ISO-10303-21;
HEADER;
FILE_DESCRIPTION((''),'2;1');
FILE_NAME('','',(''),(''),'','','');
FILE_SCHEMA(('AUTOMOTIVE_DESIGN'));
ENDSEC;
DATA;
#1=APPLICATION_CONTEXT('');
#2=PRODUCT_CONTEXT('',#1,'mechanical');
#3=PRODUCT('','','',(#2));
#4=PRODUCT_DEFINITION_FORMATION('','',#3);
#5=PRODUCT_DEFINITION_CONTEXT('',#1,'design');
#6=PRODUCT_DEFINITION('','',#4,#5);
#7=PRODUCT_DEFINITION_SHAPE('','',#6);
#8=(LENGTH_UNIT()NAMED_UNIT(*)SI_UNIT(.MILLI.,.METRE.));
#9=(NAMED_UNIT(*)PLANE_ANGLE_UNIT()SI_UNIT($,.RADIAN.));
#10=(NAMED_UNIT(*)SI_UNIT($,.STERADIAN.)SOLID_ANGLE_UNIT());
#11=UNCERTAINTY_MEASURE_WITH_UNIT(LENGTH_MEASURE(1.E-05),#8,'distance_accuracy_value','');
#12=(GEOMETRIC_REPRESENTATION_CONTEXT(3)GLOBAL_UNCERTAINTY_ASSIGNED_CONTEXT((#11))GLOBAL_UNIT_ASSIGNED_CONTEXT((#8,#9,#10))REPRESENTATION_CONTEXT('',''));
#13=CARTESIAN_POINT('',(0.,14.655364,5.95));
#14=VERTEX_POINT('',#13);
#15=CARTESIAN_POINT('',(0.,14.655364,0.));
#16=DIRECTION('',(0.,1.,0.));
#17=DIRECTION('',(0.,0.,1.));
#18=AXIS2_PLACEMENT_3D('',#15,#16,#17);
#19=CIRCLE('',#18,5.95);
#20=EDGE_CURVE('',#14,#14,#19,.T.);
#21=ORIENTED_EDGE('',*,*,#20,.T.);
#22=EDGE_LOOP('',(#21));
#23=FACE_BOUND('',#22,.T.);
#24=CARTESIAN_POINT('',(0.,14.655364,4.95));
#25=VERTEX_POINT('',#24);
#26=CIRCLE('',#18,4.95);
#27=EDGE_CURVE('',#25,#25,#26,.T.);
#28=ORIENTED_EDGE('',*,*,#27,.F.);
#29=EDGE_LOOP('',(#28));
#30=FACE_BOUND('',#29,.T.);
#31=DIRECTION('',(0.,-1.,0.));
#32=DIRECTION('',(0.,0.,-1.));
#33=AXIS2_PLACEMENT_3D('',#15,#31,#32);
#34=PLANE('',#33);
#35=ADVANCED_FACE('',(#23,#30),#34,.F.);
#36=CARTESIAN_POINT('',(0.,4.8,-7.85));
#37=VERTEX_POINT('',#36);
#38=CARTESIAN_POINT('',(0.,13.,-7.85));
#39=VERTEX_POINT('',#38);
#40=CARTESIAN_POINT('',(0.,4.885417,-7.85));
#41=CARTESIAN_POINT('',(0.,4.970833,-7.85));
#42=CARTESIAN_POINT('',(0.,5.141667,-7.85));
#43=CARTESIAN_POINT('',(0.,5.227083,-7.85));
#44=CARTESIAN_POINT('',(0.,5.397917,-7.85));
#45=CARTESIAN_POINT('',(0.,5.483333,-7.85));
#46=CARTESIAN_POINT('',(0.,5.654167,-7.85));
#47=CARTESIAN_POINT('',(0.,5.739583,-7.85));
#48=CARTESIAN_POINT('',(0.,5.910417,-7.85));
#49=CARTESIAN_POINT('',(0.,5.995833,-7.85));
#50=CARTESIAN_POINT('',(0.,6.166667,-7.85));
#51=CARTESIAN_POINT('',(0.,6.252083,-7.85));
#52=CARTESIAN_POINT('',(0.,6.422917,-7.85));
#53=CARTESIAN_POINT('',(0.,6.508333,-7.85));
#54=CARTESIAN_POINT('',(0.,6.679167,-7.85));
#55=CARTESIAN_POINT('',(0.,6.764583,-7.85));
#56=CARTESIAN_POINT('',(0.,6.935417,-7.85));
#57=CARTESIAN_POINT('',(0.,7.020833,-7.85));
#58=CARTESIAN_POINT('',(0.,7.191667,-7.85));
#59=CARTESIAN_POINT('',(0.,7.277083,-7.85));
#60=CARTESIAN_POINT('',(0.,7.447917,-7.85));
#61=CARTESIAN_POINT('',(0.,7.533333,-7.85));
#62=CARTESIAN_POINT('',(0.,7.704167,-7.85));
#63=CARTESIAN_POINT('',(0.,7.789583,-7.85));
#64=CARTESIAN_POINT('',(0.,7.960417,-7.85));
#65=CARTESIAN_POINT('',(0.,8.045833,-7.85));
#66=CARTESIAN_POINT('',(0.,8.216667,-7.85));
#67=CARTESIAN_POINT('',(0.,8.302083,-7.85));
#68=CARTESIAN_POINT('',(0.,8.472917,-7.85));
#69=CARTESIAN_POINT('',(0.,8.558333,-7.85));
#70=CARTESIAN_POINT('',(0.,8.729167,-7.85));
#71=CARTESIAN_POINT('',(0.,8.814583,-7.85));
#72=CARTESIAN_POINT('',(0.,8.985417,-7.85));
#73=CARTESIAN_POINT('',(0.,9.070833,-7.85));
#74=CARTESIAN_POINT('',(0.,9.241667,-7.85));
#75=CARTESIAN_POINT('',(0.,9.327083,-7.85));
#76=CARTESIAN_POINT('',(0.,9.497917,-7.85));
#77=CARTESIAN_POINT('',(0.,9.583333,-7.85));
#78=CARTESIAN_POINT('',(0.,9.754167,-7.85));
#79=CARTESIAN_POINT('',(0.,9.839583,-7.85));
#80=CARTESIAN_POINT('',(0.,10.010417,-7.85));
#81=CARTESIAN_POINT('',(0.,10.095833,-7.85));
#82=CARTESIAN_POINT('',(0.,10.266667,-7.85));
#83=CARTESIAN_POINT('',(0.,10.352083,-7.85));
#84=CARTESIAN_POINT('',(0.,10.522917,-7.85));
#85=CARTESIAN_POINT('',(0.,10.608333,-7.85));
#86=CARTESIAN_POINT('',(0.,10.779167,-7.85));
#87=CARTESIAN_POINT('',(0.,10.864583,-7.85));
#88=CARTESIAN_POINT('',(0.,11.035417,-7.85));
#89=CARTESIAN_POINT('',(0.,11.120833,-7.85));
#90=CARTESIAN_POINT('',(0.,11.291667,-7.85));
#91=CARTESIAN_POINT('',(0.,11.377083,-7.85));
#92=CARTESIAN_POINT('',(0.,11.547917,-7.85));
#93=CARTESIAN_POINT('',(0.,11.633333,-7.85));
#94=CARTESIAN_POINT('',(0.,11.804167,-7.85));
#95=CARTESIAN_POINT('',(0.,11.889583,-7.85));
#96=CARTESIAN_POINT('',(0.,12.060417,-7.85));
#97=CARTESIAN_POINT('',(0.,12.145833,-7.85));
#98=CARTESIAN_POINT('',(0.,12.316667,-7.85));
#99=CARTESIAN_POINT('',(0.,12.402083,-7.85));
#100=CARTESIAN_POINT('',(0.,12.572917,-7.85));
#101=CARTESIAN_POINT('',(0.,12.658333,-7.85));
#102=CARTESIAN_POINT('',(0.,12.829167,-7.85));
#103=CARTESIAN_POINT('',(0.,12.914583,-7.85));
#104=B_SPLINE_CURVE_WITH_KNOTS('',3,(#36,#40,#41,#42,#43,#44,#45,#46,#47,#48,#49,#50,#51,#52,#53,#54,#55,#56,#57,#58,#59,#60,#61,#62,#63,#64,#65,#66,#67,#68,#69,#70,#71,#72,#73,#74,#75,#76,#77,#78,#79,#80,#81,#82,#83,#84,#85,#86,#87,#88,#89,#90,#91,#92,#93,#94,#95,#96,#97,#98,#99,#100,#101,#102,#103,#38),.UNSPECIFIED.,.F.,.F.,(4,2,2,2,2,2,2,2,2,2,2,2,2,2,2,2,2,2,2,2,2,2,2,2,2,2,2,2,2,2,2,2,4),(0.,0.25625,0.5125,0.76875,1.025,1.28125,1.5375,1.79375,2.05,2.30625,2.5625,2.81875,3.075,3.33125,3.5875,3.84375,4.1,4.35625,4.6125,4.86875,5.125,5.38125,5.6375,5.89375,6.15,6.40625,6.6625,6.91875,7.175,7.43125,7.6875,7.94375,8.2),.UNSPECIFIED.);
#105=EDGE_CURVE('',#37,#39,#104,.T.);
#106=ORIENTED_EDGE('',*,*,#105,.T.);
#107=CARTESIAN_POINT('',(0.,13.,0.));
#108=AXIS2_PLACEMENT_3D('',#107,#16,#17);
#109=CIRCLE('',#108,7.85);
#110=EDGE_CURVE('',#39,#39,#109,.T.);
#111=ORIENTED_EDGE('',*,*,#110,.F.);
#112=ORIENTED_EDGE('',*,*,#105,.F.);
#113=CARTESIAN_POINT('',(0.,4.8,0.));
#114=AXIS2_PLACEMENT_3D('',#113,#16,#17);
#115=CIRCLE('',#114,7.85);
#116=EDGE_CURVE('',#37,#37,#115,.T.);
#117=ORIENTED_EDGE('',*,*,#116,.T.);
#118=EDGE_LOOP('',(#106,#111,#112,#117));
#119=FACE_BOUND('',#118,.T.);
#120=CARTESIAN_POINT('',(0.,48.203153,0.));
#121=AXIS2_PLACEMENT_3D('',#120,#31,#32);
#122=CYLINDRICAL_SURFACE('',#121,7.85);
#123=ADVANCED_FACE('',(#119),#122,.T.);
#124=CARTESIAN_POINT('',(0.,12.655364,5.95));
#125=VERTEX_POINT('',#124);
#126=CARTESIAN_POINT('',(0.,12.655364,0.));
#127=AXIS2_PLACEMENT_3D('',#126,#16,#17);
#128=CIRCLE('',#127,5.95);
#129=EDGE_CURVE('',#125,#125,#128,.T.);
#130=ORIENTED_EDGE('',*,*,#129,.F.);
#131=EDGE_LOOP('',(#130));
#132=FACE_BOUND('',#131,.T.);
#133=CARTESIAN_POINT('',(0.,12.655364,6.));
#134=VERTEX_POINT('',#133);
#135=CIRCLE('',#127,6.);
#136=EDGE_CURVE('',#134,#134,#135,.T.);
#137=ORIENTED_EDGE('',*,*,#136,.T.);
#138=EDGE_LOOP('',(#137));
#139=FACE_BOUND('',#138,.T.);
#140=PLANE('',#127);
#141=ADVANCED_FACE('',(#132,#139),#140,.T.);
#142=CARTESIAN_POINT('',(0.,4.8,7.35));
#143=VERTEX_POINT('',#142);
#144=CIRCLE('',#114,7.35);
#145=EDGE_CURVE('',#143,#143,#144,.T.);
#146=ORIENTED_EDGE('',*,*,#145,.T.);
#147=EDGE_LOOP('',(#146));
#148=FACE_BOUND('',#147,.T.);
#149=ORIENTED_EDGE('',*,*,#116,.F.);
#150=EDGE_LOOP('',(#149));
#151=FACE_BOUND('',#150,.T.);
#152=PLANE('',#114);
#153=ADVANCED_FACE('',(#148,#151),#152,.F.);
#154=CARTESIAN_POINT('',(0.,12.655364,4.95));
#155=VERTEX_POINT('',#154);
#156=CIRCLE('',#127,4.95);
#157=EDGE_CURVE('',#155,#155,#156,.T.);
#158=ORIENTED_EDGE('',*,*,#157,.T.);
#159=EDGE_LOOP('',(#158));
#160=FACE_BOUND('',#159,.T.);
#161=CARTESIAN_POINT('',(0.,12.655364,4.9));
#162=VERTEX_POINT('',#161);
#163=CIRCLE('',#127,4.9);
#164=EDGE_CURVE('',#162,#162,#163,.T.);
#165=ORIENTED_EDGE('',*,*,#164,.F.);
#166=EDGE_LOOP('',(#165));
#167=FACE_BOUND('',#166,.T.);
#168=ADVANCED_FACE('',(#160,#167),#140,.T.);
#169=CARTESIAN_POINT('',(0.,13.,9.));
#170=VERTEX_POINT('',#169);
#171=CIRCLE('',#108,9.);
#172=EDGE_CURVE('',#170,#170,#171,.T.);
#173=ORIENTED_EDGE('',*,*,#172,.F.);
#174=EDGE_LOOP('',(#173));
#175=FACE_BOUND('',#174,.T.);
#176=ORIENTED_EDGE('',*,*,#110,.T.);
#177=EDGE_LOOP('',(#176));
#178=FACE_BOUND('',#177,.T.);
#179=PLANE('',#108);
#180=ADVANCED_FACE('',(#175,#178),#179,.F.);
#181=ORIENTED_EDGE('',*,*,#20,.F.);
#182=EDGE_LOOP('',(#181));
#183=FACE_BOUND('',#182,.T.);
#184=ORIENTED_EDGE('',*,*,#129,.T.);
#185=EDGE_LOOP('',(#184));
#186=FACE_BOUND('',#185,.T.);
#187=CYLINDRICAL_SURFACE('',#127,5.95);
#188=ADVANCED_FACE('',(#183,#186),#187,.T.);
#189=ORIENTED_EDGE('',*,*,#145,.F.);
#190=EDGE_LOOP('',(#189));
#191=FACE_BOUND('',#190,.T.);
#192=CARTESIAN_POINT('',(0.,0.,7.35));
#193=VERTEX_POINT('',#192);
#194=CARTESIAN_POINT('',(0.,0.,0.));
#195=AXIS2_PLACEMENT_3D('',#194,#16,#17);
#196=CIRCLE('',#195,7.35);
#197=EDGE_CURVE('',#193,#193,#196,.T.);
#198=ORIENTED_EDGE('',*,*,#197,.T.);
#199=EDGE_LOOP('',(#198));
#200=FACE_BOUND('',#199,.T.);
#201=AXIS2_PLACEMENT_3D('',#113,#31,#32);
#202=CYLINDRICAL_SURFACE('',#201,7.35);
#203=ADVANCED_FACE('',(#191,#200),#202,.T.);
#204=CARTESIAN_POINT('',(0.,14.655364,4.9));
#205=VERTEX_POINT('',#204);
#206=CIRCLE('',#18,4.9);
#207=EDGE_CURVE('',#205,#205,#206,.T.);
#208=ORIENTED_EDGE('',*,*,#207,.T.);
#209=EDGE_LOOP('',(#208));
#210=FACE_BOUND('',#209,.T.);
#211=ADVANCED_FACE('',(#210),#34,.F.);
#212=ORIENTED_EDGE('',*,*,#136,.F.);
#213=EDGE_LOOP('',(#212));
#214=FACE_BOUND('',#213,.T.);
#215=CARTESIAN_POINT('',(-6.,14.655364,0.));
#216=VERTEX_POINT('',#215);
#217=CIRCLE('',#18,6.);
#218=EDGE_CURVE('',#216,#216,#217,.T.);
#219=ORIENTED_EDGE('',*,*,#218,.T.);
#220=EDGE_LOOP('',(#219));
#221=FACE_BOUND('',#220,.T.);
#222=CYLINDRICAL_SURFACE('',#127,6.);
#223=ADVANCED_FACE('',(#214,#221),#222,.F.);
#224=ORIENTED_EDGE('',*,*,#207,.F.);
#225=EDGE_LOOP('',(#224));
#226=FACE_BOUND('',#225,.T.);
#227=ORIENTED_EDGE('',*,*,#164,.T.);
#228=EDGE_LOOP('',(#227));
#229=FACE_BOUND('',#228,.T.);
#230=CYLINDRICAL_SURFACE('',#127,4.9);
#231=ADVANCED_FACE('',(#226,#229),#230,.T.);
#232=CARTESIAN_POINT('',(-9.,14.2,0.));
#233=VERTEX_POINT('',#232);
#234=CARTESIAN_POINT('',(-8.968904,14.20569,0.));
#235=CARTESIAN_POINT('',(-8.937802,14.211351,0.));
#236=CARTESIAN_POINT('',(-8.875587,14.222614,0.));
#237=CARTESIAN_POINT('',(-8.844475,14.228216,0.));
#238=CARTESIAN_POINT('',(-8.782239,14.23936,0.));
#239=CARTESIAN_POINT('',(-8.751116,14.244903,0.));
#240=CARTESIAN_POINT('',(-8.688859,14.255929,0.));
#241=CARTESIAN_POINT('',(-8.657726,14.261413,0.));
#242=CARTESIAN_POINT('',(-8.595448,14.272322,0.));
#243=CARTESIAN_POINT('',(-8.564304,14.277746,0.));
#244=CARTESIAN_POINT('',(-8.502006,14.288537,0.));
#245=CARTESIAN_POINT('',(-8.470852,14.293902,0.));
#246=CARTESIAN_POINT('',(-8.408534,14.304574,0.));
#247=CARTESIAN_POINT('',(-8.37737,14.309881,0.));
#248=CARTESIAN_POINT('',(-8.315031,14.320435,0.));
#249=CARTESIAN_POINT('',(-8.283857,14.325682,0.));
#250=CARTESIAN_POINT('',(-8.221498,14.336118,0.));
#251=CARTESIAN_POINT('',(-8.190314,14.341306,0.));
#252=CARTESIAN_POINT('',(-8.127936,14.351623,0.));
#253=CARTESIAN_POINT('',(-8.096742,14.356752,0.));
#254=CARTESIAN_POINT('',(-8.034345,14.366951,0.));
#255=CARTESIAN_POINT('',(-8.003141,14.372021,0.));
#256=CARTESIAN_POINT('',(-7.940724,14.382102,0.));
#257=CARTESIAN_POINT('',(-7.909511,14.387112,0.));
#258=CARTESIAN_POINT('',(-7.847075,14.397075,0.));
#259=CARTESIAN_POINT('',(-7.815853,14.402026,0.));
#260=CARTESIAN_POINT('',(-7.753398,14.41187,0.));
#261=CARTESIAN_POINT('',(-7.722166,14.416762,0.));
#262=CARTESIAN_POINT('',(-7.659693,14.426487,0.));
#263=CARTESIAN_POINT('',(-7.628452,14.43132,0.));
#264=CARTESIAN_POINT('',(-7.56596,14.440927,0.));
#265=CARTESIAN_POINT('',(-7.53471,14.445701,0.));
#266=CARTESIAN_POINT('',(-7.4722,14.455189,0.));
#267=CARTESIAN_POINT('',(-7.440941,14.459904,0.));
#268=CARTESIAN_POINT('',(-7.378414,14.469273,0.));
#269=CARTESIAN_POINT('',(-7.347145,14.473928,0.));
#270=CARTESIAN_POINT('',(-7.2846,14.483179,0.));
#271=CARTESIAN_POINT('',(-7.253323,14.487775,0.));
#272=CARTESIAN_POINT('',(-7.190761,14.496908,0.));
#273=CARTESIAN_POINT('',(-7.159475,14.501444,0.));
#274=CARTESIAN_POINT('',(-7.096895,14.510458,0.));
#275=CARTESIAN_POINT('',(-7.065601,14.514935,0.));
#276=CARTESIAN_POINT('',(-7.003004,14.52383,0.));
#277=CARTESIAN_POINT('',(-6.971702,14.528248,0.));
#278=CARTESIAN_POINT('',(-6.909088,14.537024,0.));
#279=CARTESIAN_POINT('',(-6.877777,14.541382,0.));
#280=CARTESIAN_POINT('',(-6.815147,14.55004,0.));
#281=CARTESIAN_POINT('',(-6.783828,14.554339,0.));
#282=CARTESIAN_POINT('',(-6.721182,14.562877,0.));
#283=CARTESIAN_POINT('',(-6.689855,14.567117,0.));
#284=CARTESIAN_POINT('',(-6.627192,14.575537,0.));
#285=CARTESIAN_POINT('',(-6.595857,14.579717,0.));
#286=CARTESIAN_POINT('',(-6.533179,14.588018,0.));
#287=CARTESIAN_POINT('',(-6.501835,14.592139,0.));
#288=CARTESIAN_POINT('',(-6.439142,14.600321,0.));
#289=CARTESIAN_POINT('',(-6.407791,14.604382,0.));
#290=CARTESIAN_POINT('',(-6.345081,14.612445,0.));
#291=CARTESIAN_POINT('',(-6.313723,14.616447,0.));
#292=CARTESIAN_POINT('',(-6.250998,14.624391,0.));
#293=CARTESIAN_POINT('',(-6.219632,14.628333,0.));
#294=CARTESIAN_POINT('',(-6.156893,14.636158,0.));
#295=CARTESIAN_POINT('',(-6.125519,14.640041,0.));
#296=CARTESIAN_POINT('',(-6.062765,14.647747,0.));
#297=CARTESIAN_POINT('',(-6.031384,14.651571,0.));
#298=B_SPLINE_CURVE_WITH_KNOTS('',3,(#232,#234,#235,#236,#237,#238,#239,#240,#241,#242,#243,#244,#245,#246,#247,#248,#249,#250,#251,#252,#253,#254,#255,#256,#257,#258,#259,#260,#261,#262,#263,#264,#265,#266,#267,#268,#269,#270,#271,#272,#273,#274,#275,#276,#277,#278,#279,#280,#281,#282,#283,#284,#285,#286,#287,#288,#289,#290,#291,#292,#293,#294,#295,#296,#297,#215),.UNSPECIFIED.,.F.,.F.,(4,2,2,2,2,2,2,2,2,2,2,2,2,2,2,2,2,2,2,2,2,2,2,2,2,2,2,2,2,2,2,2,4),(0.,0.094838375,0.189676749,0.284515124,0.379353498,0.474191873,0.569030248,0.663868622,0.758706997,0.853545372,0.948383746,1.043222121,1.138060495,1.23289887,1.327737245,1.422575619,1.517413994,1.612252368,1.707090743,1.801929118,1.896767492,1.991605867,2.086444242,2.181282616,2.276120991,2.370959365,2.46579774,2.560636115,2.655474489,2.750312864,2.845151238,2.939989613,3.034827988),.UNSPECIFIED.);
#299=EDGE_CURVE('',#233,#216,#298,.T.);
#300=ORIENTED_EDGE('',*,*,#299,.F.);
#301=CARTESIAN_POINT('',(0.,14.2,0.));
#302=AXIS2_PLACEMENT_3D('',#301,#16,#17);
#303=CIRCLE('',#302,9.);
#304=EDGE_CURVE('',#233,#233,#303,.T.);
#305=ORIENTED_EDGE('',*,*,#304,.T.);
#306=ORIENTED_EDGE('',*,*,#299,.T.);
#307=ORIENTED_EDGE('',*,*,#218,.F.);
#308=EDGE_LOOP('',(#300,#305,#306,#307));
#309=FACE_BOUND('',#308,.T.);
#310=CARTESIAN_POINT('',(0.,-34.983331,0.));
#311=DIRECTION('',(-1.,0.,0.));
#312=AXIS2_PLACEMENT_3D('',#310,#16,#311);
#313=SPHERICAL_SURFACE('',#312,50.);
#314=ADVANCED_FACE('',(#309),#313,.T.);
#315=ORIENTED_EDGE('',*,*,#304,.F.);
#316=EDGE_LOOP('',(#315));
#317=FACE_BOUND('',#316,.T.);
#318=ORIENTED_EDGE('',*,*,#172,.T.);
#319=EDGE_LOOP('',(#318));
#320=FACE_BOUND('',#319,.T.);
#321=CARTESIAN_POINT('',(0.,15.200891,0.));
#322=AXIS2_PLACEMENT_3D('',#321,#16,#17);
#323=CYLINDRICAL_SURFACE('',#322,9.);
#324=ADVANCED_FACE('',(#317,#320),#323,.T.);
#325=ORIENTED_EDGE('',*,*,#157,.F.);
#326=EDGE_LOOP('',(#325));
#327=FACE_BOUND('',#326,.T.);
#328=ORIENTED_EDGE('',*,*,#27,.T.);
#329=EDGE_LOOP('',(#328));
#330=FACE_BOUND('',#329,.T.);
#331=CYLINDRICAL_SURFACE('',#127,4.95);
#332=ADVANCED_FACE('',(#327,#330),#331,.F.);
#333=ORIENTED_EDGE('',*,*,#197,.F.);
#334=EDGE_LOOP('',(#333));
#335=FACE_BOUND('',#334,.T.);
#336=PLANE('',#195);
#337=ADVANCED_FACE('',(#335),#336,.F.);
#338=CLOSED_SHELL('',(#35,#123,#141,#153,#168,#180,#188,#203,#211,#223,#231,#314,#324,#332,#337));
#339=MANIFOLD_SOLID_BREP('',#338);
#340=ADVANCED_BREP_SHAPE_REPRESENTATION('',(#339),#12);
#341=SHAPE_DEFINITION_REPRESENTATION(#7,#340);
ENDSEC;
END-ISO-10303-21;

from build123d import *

# Parameters (mm, degrees)
SKETCH1_R           = 7.35
BOSS_EXTRUDE1_DEPTH = 4.8
SKETCH2_R           = 7.85
BOSS_EXTRUDE2_DEPTH = 8.2
SKETCH4_R           = 6
SKETCH4_R_2         = 5.95
SKETCH4_R_3         = 4.95
SKETCH4_R_4         = 4.9
CUT_EXTRUDE1_DEPTH  = 2


with BuildPart() as part:
    # Sketch1 → Boss-Extrude1 (new body)
    with BuildSketch(Plane(origin=(0, 0, 0), x_dir=(1, 0, 0), z_dir=(0, 1, 0))):
        with Locations(Location((0, 0, 0), (0, 0, 270))):
            Circle(SKETCH1_R)
    extrude(amount=BOSS_EXTRUDE1_DEPTH)

    # Sketch2 → Boss-Extrude2 (add)
    with BuildSketch(Plane(origin=(0, 4.8, 0), x_dir=(1, 0, 0), z_dir=(0, 1, 0))):
        with Locations(Location((0, 0, 0), (0, 0, 90))):
            Circle(SKETCH2_R)
    extrude(amount=BOSS_EXTRUDE2_DEPTH)

    # Sketch3 → Revolve2 (revolve)
    with BuildSketch(Plane.XY):
        with BuildLine():
            Line((-9, 13), (-7.85, 13))
            Line((-7.85, 13), (0, 13))
            Line((0, 13), (0, 14.655364075))
            Line((0, 14.655364075), (-6, 14.655364075))
            ThreePointArc((-6, 14.655364075), (-7.503455145, 14.450444998), (-9, 14.2))
            Line((-9, 14.2), (-9, 13))
        make_face()
    revolve(axis=Axis((0, 15.200891001, 0), (0, -1, 0)))

    # Sketch4 → Cut-Extrude1 (cut)
    # profile 1 of 2: a face of its own
    with BuildSketch(Plane(origin=(0, 14.655364075, 0), x_dir=(1, 0, 0), z_dir=(0, 1, 0))):
        with Locations(Location((0, 0, 0), (0, 0, 270))):
            Circle(SKETCH4_R)
        with Locations(Location((0, 0, 0), (0, 0, 270))):
            Circle(SKETCH4_R_2, mode=Mode.SUBTRACT)
    # profile 2 of 2: a face of its own
    with BuildSketch(Plane(origin=(0, 14.655364075, 0), x_dir=(1, 0, 0), z_dir=(0, 1, 0))):
        with Locations(Location((0, 0, 0), (0, 0, 270))):
            Circle(SKETCH4_R_3)
        with Locations(Location((0, 0, 0), (0, 0, 270))):
            Circle(SKETCH4_R_4, mode=Mode.SUBTRACT)
    extrude(amount=-CUT_EXTRUDE1_DEPTH, mode=Mode.SUBTRACT)


solid = part.part
